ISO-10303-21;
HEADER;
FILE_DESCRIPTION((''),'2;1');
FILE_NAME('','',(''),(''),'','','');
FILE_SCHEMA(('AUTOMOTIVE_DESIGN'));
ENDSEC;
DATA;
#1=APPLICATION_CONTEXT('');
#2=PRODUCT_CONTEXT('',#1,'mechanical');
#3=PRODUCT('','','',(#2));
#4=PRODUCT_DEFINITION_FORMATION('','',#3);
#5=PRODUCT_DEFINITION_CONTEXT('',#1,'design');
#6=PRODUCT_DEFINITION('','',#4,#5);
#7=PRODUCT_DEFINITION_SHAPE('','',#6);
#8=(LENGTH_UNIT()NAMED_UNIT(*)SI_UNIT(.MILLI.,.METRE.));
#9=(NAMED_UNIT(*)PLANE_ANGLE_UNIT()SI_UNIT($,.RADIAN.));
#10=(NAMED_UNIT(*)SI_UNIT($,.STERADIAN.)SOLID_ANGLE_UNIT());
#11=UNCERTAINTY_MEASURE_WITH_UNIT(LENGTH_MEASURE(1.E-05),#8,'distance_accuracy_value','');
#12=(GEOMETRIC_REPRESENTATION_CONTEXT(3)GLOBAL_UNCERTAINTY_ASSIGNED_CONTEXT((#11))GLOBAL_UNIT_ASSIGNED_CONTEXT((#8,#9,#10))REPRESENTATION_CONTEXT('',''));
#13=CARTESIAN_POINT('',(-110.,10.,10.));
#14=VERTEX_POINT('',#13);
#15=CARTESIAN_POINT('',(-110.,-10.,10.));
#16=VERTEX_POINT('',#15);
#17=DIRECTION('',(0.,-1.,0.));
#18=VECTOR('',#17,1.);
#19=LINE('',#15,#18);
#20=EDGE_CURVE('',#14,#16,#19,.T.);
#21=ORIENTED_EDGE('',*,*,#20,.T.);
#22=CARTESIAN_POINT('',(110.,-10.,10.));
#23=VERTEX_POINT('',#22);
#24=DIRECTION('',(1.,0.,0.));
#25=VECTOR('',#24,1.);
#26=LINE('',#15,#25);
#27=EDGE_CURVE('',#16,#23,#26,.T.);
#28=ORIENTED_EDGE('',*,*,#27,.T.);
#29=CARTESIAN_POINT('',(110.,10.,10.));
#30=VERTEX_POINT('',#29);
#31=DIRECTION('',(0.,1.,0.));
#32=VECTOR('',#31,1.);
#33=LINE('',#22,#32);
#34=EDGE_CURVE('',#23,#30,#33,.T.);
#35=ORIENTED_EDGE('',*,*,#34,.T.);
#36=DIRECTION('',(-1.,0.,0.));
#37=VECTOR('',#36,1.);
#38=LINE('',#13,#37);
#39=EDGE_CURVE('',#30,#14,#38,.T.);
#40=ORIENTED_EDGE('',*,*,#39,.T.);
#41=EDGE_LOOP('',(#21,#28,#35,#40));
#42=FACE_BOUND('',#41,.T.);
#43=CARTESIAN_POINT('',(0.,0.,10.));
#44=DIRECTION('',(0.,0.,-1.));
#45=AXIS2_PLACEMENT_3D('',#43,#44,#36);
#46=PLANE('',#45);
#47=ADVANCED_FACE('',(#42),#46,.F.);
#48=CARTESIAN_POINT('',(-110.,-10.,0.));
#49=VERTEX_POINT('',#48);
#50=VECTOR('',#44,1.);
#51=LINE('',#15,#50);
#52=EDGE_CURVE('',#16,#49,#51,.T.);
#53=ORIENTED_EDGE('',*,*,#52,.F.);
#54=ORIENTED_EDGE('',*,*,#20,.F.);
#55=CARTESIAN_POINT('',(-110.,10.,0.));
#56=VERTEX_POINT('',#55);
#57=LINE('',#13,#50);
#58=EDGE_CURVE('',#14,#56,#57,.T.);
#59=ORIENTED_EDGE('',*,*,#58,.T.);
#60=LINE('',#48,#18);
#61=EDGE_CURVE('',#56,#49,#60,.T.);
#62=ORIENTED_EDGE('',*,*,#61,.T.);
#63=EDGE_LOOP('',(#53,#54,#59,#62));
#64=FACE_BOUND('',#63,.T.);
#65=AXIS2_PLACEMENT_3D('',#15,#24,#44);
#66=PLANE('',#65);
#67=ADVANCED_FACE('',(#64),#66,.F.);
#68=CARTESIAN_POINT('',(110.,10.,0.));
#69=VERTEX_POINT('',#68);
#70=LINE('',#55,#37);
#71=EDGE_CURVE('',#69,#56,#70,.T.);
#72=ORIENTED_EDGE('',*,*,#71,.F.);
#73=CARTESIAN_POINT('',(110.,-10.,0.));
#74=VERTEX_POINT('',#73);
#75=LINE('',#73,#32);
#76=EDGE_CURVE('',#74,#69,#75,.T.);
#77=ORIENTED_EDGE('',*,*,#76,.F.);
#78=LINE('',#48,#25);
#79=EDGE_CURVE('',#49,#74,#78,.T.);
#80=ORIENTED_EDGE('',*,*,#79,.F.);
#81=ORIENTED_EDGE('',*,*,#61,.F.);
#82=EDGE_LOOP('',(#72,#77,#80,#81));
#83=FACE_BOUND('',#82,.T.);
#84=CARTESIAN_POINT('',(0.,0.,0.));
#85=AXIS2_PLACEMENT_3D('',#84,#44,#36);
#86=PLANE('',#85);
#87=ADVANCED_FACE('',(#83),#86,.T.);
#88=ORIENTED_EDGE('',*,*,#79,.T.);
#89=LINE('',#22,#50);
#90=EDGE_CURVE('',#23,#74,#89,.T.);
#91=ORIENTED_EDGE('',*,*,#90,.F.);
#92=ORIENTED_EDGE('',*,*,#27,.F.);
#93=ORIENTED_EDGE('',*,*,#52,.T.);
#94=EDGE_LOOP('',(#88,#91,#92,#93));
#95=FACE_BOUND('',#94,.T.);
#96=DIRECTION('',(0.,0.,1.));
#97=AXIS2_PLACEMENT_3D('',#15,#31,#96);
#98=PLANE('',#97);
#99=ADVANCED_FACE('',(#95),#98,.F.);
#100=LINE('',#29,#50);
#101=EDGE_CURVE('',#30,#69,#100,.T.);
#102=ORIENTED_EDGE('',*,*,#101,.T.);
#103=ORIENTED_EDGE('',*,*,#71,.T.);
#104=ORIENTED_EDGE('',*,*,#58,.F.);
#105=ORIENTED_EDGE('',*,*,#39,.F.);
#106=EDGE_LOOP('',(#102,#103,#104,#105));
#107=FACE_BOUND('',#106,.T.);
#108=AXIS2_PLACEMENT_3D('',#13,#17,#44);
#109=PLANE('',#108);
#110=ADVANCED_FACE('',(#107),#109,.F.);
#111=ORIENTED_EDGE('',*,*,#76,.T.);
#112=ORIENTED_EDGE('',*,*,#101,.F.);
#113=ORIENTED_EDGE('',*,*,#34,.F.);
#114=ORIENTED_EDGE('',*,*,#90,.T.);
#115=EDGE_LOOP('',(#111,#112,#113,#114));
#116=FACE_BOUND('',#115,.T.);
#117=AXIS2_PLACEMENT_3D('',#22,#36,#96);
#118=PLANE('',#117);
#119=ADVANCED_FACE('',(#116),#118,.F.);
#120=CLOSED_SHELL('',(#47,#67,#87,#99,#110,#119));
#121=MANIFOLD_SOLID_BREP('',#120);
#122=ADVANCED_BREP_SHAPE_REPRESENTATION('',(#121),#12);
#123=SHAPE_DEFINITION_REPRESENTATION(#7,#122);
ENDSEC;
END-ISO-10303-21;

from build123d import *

# Parameters (mm, degrees)
SKETCH1_W           = 220
SKETCH1_H           = 20
BOSS_EXTRUDE1_DEPTH = 10


with BuildPart() as part:
    # Sketch1 → Boss-Extrude1 (new body)
    with BuildSketch(Plane.XY):
        Rectangle(SKETCH1_W, SKETCH1_H)
    extrude(amount=BOSS_EXTRUDE1_DEPTH)


solid = part.part
